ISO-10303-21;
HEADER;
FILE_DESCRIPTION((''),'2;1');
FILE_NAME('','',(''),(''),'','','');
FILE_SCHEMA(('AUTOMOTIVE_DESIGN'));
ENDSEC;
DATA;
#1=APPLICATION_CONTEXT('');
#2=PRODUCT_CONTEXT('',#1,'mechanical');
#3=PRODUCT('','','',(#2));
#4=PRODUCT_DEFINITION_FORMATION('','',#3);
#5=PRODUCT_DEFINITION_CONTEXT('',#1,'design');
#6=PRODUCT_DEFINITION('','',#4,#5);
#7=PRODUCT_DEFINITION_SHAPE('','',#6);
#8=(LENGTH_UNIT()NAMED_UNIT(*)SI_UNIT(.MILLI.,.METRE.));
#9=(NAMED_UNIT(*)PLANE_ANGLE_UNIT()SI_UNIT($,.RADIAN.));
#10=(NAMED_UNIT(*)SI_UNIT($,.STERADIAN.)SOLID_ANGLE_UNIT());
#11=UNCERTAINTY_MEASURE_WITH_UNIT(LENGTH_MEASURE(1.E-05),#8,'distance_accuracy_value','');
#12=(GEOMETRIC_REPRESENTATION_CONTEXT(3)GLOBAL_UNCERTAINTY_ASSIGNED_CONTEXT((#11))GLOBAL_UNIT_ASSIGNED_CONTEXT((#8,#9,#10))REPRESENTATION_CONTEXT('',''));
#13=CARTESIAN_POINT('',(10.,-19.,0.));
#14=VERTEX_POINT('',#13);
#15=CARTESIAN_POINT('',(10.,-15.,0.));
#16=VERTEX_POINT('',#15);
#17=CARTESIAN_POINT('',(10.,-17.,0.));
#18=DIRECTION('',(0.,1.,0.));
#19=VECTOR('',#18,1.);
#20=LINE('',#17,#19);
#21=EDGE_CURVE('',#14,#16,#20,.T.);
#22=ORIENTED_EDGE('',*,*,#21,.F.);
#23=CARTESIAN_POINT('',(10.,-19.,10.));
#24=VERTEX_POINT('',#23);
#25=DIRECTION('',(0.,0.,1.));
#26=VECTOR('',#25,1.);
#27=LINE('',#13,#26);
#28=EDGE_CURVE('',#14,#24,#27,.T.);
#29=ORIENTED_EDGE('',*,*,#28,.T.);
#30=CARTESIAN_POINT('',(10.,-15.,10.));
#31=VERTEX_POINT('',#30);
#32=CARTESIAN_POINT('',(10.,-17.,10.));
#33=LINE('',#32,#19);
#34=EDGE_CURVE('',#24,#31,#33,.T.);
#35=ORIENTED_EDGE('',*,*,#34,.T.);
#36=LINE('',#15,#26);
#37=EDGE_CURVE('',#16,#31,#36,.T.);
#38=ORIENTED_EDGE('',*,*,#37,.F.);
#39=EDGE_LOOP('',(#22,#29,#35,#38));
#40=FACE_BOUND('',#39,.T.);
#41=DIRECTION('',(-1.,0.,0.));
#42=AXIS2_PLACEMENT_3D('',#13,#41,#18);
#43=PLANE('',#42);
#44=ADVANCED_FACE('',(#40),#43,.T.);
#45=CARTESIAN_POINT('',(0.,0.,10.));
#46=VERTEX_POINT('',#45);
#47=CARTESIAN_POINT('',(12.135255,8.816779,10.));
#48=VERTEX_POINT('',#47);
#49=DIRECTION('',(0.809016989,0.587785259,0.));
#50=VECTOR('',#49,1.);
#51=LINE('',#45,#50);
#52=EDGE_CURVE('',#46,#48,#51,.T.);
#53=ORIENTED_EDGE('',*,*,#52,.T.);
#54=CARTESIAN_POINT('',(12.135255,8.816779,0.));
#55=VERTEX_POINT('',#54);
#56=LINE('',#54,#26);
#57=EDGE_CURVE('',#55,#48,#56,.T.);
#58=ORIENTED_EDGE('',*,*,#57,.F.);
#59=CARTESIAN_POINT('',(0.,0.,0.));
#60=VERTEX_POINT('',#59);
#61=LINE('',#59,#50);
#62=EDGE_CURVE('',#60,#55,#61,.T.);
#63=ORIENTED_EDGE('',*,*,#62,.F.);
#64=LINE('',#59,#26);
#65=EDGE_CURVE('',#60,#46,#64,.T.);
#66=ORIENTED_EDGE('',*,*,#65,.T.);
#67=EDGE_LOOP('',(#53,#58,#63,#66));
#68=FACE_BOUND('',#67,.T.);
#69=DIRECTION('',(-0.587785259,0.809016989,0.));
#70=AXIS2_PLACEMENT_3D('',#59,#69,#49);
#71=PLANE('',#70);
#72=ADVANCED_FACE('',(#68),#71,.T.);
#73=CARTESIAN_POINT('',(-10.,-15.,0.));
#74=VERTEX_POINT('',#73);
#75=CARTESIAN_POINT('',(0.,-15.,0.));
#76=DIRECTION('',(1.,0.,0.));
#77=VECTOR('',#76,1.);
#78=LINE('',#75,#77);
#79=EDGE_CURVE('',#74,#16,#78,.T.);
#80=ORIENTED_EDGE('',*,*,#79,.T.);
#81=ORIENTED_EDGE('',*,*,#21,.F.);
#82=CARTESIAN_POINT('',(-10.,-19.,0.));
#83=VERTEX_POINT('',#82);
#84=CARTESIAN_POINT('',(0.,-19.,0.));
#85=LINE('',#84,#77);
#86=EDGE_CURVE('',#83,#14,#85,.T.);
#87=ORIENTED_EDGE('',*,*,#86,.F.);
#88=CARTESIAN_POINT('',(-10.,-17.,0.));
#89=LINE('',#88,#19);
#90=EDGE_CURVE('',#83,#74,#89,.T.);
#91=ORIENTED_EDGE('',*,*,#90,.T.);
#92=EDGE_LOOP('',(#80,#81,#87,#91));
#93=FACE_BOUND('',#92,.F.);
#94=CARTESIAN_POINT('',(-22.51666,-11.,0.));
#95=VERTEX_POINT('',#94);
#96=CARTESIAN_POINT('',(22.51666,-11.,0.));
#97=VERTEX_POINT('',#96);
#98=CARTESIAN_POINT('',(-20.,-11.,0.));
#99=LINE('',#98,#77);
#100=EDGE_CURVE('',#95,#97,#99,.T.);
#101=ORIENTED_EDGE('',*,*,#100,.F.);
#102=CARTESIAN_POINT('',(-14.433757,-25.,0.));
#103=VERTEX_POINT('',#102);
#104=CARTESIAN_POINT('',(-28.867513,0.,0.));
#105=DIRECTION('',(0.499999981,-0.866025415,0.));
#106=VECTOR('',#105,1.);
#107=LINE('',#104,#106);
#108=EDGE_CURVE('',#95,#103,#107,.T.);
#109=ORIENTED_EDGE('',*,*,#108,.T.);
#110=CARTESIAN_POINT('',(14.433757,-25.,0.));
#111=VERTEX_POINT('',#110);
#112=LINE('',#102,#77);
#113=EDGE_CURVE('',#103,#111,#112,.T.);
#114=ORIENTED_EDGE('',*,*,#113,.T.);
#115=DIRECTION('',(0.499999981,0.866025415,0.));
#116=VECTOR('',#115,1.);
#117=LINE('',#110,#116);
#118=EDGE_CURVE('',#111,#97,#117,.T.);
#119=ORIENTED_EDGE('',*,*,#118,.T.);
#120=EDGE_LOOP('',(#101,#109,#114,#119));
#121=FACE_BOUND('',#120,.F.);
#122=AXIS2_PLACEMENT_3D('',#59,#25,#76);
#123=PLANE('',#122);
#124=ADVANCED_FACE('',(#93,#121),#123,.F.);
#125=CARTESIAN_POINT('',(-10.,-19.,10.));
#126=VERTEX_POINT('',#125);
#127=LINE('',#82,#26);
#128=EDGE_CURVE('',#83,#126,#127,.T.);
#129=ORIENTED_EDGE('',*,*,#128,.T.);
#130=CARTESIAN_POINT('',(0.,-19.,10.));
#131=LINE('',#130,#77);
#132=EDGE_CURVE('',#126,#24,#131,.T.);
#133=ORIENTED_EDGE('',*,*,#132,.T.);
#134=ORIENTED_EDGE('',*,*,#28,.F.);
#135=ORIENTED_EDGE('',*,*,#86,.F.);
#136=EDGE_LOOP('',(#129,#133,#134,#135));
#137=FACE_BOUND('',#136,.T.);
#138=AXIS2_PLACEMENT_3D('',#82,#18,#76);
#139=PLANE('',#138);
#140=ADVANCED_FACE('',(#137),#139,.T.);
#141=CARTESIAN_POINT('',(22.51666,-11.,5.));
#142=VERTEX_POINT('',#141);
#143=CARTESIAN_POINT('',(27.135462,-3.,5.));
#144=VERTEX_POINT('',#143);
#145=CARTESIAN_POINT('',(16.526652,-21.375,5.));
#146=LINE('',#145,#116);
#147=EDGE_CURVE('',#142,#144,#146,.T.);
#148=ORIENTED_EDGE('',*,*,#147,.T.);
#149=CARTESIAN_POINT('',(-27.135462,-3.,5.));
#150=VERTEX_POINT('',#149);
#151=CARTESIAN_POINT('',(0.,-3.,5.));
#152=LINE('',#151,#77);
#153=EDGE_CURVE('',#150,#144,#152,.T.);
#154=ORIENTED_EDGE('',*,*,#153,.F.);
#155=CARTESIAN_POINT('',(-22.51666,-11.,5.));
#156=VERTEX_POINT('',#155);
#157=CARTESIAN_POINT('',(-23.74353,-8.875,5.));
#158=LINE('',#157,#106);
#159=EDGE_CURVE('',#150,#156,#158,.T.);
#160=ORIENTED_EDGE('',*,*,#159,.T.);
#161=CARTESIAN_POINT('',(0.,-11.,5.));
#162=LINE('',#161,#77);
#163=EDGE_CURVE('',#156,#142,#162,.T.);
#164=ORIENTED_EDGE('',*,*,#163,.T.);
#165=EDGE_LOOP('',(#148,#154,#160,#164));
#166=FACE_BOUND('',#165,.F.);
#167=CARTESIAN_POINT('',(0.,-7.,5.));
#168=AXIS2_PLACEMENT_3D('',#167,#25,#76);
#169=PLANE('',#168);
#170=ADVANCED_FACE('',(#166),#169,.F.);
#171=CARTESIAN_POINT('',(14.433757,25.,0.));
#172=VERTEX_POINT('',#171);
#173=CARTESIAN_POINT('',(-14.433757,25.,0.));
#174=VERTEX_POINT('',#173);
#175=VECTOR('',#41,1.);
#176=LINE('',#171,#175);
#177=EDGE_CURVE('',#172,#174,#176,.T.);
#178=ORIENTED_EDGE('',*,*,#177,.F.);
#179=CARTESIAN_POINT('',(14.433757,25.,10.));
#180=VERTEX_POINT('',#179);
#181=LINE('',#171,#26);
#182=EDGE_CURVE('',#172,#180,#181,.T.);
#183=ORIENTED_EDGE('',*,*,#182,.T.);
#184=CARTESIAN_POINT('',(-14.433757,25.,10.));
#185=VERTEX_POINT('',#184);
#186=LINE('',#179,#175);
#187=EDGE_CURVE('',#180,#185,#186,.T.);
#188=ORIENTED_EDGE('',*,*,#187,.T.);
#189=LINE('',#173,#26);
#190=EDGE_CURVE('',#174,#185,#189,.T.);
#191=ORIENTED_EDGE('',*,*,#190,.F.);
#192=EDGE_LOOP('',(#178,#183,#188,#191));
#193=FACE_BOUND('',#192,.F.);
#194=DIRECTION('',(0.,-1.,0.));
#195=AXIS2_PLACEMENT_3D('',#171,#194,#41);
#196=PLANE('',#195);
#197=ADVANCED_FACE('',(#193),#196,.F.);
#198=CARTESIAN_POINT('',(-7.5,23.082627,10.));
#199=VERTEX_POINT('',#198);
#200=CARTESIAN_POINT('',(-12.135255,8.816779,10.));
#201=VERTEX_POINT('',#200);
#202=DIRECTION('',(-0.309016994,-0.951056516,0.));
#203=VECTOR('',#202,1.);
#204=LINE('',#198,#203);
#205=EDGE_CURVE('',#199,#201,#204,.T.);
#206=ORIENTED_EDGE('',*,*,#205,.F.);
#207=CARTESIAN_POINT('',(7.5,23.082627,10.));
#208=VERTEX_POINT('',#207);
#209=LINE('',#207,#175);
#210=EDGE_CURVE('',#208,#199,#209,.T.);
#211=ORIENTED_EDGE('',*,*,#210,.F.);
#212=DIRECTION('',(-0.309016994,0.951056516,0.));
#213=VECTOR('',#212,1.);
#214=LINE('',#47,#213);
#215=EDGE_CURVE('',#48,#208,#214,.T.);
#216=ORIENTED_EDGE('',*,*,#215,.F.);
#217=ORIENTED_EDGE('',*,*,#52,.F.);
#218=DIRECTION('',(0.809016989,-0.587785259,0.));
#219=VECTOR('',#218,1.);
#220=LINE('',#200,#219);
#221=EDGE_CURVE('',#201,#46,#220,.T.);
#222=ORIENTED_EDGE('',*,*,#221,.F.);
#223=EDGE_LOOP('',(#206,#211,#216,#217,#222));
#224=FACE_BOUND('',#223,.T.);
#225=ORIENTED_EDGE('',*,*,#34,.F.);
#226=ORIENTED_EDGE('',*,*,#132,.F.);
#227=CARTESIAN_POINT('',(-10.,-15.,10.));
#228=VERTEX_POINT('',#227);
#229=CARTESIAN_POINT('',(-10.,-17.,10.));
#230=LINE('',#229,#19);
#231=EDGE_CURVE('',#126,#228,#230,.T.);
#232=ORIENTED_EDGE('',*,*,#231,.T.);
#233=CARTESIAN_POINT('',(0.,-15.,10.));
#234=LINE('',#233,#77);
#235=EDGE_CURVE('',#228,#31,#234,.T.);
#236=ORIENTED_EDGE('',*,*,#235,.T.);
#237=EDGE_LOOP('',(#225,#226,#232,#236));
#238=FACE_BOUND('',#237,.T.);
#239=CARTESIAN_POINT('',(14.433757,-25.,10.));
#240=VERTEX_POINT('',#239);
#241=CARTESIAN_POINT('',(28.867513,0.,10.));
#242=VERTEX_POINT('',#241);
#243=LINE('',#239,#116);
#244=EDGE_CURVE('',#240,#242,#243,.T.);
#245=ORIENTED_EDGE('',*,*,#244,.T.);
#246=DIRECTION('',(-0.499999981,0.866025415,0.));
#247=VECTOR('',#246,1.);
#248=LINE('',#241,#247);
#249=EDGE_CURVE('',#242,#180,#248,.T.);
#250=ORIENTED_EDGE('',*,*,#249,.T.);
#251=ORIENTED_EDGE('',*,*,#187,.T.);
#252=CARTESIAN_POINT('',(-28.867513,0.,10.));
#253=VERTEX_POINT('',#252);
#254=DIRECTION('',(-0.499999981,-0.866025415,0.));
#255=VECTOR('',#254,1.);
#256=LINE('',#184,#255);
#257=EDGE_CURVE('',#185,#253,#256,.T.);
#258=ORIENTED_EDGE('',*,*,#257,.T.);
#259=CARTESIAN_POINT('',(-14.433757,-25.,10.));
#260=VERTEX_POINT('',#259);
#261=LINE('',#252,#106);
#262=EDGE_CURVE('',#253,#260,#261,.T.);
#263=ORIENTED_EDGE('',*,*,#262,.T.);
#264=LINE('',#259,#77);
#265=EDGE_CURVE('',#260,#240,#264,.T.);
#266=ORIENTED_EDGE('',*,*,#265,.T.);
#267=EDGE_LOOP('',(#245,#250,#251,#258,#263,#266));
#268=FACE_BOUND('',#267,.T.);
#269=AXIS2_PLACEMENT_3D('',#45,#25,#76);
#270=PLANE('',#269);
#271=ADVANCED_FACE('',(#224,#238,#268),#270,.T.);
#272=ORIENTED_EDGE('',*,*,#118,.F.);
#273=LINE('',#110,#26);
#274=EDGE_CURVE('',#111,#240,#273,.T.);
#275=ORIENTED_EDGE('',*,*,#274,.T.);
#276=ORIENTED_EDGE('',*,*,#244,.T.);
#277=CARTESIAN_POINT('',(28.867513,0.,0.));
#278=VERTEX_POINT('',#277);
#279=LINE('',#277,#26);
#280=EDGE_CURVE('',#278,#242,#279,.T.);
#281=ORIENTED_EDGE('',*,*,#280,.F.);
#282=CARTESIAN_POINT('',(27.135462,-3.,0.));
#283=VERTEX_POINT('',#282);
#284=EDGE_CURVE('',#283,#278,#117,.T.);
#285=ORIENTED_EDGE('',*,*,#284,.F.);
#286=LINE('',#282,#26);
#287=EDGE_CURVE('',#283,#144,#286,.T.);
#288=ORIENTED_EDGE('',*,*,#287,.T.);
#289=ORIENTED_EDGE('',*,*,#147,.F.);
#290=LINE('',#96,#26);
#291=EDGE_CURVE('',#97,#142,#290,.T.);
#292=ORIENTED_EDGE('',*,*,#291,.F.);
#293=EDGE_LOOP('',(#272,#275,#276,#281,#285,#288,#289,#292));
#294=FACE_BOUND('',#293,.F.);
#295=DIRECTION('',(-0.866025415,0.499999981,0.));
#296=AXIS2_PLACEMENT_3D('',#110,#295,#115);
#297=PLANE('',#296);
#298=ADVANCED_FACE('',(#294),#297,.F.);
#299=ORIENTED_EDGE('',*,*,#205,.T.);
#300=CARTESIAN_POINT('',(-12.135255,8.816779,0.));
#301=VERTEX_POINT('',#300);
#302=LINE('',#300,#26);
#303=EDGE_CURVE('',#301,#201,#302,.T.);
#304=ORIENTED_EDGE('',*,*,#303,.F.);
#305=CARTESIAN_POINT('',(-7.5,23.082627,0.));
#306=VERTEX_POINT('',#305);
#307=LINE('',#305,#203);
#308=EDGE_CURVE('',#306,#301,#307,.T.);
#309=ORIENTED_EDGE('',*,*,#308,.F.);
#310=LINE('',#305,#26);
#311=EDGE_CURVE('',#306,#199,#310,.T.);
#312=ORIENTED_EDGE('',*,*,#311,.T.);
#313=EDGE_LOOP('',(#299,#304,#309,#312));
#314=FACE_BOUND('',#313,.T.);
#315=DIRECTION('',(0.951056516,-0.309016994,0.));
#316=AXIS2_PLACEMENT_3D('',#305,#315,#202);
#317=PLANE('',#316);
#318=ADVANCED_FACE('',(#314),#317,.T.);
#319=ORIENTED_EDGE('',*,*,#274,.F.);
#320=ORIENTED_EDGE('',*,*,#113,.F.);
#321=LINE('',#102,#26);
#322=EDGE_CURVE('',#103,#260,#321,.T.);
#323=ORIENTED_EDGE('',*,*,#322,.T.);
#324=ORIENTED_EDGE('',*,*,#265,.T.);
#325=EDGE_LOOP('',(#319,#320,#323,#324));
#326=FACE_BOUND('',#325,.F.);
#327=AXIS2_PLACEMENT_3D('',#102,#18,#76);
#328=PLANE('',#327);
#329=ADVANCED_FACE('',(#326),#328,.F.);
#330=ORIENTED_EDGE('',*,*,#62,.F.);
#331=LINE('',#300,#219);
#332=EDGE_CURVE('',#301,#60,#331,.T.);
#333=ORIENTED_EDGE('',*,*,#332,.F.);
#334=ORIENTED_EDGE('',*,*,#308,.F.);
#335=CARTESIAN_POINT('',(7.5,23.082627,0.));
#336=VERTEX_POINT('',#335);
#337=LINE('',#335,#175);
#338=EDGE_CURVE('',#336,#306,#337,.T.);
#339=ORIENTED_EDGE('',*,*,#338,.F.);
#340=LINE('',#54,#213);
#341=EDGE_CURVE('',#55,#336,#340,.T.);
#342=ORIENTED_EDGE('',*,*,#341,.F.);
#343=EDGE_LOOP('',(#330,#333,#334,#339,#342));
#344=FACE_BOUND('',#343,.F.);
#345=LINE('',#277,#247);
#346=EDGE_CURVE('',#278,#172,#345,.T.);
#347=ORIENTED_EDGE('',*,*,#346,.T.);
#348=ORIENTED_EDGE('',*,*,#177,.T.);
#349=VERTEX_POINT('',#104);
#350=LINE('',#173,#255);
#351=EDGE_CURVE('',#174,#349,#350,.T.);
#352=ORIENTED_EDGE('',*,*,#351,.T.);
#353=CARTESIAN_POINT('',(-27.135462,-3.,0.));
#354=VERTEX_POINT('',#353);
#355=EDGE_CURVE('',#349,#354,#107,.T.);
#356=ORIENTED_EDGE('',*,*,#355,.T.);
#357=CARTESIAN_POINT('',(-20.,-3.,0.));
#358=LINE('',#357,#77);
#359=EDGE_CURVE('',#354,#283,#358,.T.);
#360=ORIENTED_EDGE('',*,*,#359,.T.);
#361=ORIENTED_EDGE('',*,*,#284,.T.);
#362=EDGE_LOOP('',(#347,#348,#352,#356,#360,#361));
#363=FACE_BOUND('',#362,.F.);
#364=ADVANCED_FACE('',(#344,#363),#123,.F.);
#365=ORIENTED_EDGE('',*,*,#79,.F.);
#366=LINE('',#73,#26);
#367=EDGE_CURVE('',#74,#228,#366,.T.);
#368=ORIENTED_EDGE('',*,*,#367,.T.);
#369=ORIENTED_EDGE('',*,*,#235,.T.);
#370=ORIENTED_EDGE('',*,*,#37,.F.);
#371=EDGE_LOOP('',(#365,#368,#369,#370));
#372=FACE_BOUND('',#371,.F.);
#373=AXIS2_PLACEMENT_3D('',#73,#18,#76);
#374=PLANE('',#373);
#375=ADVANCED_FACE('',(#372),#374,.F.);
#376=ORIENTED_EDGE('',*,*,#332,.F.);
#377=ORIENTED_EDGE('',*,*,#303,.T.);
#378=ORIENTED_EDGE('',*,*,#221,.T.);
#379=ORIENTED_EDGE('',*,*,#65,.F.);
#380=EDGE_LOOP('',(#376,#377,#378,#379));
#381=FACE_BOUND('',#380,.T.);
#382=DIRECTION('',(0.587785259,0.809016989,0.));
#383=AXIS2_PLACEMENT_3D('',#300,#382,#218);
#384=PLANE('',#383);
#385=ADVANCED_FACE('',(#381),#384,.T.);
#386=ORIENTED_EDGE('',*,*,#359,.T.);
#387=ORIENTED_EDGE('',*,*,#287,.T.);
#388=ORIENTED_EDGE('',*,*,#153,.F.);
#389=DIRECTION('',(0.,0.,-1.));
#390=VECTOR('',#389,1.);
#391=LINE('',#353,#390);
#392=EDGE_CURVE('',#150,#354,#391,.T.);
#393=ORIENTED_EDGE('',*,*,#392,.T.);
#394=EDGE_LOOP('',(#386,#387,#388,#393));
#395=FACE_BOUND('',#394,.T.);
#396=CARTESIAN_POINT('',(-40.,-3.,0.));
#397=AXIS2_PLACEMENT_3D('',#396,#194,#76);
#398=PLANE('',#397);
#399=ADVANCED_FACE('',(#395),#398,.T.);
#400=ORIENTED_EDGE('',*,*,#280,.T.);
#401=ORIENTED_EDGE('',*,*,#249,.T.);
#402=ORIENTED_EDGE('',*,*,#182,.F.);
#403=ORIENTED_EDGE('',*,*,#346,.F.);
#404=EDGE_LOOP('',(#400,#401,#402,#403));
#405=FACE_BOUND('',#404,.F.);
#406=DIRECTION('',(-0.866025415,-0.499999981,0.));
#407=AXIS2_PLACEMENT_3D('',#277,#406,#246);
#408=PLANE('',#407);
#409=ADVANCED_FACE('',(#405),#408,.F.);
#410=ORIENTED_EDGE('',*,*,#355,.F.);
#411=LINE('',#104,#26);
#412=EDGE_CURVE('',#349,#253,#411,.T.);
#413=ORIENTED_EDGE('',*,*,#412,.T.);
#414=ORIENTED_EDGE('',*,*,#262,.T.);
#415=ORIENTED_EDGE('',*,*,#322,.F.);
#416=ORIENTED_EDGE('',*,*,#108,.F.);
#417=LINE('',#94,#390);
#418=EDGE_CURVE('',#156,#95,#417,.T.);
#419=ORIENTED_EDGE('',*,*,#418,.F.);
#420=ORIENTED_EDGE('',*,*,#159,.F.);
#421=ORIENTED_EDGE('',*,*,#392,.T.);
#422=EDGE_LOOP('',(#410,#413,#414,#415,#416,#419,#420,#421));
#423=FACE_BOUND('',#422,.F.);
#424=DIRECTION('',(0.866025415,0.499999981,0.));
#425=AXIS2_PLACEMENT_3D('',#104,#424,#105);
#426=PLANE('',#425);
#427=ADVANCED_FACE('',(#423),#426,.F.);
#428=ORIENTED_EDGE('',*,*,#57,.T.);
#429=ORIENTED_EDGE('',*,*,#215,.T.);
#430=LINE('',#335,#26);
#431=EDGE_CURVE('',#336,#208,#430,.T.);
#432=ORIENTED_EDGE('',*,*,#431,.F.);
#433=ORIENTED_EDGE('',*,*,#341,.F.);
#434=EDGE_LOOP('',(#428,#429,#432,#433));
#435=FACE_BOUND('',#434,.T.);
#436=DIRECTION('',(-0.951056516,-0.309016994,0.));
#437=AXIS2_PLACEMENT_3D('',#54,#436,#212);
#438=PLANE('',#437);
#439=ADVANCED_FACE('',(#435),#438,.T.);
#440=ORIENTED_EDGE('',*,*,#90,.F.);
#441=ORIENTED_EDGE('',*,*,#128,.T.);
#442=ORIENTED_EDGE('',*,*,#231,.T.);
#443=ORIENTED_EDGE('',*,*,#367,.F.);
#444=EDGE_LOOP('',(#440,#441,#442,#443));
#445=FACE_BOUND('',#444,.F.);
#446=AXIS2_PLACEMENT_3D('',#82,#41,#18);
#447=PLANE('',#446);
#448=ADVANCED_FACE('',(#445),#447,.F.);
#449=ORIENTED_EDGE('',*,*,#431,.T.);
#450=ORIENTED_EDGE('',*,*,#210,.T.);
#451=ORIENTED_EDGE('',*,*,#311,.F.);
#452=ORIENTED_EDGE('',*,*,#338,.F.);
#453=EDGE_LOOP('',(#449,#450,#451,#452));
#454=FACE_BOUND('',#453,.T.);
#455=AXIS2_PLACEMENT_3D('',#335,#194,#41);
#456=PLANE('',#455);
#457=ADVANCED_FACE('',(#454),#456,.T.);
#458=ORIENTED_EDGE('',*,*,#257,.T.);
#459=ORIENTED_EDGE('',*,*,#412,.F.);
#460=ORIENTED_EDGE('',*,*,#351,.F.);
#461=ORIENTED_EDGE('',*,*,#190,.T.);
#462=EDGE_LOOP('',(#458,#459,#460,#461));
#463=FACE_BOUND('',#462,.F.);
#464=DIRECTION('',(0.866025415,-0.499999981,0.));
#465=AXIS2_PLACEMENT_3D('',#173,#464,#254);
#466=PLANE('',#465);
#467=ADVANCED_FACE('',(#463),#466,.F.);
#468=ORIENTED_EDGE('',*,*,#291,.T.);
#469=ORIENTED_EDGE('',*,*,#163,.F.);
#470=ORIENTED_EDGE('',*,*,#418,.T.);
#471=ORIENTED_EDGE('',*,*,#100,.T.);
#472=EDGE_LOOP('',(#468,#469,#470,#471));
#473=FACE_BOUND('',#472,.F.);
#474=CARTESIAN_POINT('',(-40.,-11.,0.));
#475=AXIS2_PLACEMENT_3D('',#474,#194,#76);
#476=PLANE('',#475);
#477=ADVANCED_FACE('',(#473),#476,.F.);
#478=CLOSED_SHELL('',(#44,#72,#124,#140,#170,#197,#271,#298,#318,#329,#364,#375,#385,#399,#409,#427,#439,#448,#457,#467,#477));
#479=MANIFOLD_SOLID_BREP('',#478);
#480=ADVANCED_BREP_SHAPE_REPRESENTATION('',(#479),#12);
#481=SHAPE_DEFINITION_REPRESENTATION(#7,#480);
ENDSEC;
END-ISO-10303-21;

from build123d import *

# Parameters (mm, degrees)
SKETCH001_W           = 80
SKETCH001_H           = 8
EXTRUDE001_DEPTH      = 5
EXTRUDE001_DEPTH_BACK = 1
SKETCH_W              = 20
SKETCH_H              = 4
EXTRUDE_DEPTH         = 10


with BuildPart() as extrude001:
    # Sketch001 → Extrude001 (new body, two sides)
    with BuildSketch(Plane.XY) as extrude001_sk:
        with Locations((0, -7)):
            Rectangle(SKETCH001_W, SKETCH001_H)
    extrude(amount=EXTRUDE001_DEPTH)
    extrude(extrude001_sk.sketch, amount=-EXTRUDE001_DEPTH_BACK)


with BuildPart() as cut:
    # Sketch → Extrude (new body)
    with BuildSketch(Plane.XY):
        Polygon((28.867513, 0), (14.433757, 25), (-14.433757, 25), (-28.867513, 0), (-14.433757, -25), (14.433757, -25), align=None)
        Polygon((7.5, 23.082627), (-7.5, 23.082627), (-12.135255, 8.816779), (0, 0), (12.135255, 8.816779), align=None, mode=Mode.SUBTRACT)
        with Locations((0, -17)):
            Rectangle(SKETCH_W, SKETCH_H, mode=Mode.SUBTRACT)
    extrude(amount=EXTRUDE_DEPTH)

    # Cut: cut Extrude001
    add(extrude001.part, mode=Mode.SUBTRACT)


solid = cut.part
